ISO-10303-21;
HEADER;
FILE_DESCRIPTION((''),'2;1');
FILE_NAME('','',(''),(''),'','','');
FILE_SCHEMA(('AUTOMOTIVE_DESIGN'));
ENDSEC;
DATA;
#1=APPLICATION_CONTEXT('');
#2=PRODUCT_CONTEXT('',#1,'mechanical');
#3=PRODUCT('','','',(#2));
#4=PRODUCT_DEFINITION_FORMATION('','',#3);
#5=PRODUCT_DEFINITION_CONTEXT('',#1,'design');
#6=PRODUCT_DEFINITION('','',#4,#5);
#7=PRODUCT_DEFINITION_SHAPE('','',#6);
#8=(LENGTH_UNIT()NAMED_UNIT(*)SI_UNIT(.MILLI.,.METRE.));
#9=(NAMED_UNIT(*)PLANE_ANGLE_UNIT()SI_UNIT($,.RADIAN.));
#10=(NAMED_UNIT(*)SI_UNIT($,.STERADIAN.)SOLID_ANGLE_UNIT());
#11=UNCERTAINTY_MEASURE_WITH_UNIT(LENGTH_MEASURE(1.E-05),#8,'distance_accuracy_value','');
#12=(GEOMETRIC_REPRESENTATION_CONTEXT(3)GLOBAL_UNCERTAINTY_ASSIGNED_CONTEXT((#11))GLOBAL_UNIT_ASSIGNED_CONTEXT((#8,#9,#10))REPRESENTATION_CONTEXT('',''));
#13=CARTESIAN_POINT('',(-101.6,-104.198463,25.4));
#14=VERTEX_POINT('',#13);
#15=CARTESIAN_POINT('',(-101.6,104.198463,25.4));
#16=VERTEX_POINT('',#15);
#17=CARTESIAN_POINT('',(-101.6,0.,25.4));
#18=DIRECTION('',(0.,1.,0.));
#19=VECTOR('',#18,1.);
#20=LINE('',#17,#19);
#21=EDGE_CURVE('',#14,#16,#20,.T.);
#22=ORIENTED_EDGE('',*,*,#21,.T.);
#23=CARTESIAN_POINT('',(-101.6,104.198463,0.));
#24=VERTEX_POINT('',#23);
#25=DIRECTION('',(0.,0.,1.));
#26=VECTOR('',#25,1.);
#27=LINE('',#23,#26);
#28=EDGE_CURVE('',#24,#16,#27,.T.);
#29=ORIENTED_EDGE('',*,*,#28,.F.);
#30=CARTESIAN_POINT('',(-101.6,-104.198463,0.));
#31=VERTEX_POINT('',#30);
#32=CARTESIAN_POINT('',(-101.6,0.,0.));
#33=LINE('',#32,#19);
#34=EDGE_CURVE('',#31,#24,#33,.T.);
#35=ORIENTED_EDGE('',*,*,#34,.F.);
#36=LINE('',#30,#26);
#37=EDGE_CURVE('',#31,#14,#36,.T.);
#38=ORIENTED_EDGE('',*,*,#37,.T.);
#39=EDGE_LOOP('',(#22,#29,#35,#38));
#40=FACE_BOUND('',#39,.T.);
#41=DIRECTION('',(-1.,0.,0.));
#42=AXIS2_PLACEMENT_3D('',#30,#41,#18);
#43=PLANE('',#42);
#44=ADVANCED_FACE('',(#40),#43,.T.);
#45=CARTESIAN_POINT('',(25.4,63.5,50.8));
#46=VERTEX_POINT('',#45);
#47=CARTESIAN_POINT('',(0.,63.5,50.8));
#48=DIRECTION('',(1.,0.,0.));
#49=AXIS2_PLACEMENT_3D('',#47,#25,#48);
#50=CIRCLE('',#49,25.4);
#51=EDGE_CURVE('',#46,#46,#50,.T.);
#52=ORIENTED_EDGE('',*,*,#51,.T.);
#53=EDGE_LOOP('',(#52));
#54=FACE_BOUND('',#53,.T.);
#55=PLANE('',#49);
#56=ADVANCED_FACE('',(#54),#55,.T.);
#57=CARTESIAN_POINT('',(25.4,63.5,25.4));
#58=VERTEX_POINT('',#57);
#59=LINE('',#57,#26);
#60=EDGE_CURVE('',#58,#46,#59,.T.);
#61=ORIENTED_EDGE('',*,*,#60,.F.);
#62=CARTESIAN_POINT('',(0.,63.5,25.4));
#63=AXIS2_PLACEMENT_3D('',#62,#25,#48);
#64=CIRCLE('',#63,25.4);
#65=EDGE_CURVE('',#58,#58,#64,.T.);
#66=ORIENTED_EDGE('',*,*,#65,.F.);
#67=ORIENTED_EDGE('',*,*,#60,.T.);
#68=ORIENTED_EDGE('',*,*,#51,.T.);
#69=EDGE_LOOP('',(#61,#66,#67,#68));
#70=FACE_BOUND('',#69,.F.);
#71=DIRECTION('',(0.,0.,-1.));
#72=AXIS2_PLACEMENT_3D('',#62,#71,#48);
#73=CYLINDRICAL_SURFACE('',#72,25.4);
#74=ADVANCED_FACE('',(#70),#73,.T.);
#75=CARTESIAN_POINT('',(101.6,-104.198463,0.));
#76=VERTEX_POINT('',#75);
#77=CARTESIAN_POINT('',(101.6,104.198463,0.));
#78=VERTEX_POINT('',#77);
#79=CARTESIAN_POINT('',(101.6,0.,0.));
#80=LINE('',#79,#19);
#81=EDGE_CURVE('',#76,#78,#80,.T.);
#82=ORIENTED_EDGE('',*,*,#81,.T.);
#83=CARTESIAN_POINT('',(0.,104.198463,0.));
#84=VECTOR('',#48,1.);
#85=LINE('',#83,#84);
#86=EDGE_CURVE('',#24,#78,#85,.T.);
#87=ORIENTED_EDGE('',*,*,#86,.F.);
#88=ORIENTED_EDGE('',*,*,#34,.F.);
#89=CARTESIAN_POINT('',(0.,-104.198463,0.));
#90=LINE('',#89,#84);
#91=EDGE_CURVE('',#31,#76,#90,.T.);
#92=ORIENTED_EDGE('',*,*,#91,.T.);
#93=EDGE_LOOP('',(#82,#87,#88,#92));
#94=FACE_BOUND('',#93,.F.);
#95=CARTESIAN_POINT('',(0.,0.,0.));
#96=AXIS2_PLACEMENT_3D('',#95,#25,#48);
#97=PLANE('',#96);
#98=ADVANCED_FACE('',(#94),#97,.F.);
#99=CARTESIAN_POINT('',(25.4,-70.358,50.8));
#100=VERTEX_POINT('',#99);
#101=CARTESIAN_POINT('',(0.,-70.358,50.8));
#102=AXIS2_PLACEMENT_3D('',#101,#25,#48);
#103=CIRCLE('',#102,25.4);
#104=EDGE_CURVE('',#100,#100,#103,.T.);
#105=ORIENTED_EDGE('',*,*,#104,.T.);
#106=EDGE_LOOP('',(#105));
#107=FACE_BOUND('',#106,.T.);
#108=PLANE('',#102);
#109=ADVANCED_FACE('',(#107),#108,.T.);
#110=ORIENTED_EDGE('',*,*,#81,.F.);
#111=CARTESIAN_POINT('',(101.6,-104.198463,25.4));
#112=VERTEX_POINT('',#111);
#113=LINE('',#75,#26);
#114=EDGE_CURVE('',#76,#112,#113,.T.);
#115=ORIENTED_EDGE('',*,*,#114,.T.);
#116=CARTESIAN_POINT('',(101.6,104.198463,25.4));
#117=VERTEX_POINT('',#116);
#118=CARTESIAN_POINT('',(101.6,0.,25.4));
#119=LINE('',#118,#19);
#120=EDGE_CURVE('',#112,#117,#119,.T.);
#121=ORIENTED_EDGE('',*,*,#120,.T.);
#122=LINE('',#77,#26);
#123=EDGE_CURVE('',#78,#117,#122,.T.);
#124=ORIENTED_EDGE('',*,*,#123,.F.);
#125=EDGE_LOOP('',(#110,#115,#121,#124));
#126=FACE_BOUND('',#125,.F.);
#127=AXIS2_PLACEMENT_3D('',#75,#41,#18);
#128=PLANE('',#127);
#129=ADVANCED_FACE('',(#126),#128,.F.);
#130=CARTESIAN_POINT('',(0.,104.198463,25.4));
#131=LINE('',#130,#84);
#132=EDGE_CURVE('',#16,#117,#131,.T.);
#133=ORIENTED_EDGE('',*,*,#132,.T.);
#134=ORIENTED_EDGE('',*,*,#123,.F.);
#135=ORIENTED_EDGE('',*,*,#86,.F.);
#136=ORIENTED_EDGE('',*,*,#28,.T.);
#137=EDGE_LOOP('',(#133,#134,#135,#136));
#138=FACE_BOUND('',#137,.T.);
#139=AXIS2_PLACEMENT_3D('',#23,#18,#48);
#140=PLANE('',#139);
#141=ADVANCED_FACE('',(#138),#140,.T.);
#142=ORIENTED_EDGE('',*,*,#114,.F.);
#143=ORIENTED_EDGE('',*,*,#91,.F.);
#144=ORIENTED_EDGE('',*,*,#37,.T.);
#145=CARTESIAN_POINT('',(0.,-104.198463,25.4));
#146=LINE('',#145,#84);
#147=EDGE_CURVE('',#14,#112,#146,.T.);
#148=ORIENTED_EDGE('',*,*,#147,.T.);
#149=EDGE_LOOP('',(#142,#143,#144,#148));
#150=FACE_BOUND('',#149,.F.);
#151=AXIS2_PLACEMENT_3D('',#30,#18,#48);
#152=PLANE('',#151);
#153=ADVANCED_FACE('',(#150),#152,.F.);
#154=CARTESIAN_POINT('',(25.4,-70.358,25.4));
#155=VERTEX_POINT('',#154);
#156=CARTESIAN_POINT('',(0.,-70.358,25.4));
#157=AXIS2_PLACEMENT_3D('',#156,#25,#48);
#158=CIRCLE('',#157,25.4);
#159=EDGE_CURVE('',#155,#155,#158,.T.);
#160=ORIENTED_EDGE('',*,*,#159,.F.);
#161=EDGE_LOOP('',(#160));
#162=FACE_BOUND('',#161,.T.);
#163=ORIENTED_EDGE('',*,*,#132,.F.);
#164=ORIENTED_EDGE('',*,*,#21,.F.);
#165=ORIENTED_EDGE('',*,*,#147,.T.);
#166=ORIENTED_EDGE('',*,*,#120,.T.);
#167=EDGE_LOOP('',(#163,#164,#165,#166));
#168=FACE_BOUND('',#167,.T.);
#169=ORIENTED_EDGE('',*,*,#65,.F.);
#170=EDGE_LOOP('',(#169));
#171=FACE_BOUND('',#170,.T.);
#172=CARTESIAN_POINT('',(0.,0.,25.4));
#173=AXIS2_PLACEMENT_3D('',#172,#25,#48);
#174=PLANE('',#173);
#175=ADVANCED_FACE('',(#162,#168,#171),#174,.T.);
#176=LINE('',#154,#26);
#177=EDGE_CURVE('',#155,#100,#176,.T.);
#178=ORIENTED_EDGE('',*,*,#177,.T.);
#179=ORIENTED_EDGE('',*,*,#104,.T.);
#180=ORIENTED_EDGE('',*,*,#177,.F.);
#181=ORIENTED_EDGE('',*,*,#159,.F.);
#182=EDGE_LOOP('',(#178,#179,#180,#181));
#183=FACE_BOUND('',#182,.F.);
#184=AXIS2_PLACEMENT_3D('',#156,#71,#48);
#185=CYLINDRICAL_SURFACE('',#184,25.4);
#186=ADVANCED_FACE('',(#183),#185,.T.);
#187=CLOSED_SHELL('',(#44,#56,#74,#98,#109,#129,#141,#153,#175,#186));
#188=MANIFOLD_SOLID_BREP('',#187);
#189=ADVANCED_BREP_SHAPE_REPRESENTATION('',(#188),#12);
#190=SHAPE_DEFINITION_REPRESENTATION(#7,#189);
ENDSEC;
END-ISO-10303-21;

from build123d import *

# Parameters (mm, degrees)
F0_W     = 203.2
F0_H     = 208.396926
F1_DEPTH = 25.4
F2_R     = 25.4
F3_DEPTH = 25.4
F4_R     = 25.4
F5_DEPTH = 25.4


with BuildPart() as f1:
    # F0 (on Top) → F1 (new body)
    with BuildSketch(Plane.XY):
        Rectangle(F0_W, F0_H)
    extrude(amount=F1_DEPTH)

    # F2 (on face) → F3 (join)
    with BuildSketch(Plane.XY.offset(25.4)):
        with Locations((0, 63.5)):
            Circle(F2_R)
    extrude(amount=F3_DEPTH)

    # F4 (on face) → F5 (join, through all)
    with BuildSketch(Plane.XY.offset(25.4)):
        with Locations((0, -70.358)):
            Circle(F4_R)
    extrude(amount=F5_DEPTH)


solid = f1.part
